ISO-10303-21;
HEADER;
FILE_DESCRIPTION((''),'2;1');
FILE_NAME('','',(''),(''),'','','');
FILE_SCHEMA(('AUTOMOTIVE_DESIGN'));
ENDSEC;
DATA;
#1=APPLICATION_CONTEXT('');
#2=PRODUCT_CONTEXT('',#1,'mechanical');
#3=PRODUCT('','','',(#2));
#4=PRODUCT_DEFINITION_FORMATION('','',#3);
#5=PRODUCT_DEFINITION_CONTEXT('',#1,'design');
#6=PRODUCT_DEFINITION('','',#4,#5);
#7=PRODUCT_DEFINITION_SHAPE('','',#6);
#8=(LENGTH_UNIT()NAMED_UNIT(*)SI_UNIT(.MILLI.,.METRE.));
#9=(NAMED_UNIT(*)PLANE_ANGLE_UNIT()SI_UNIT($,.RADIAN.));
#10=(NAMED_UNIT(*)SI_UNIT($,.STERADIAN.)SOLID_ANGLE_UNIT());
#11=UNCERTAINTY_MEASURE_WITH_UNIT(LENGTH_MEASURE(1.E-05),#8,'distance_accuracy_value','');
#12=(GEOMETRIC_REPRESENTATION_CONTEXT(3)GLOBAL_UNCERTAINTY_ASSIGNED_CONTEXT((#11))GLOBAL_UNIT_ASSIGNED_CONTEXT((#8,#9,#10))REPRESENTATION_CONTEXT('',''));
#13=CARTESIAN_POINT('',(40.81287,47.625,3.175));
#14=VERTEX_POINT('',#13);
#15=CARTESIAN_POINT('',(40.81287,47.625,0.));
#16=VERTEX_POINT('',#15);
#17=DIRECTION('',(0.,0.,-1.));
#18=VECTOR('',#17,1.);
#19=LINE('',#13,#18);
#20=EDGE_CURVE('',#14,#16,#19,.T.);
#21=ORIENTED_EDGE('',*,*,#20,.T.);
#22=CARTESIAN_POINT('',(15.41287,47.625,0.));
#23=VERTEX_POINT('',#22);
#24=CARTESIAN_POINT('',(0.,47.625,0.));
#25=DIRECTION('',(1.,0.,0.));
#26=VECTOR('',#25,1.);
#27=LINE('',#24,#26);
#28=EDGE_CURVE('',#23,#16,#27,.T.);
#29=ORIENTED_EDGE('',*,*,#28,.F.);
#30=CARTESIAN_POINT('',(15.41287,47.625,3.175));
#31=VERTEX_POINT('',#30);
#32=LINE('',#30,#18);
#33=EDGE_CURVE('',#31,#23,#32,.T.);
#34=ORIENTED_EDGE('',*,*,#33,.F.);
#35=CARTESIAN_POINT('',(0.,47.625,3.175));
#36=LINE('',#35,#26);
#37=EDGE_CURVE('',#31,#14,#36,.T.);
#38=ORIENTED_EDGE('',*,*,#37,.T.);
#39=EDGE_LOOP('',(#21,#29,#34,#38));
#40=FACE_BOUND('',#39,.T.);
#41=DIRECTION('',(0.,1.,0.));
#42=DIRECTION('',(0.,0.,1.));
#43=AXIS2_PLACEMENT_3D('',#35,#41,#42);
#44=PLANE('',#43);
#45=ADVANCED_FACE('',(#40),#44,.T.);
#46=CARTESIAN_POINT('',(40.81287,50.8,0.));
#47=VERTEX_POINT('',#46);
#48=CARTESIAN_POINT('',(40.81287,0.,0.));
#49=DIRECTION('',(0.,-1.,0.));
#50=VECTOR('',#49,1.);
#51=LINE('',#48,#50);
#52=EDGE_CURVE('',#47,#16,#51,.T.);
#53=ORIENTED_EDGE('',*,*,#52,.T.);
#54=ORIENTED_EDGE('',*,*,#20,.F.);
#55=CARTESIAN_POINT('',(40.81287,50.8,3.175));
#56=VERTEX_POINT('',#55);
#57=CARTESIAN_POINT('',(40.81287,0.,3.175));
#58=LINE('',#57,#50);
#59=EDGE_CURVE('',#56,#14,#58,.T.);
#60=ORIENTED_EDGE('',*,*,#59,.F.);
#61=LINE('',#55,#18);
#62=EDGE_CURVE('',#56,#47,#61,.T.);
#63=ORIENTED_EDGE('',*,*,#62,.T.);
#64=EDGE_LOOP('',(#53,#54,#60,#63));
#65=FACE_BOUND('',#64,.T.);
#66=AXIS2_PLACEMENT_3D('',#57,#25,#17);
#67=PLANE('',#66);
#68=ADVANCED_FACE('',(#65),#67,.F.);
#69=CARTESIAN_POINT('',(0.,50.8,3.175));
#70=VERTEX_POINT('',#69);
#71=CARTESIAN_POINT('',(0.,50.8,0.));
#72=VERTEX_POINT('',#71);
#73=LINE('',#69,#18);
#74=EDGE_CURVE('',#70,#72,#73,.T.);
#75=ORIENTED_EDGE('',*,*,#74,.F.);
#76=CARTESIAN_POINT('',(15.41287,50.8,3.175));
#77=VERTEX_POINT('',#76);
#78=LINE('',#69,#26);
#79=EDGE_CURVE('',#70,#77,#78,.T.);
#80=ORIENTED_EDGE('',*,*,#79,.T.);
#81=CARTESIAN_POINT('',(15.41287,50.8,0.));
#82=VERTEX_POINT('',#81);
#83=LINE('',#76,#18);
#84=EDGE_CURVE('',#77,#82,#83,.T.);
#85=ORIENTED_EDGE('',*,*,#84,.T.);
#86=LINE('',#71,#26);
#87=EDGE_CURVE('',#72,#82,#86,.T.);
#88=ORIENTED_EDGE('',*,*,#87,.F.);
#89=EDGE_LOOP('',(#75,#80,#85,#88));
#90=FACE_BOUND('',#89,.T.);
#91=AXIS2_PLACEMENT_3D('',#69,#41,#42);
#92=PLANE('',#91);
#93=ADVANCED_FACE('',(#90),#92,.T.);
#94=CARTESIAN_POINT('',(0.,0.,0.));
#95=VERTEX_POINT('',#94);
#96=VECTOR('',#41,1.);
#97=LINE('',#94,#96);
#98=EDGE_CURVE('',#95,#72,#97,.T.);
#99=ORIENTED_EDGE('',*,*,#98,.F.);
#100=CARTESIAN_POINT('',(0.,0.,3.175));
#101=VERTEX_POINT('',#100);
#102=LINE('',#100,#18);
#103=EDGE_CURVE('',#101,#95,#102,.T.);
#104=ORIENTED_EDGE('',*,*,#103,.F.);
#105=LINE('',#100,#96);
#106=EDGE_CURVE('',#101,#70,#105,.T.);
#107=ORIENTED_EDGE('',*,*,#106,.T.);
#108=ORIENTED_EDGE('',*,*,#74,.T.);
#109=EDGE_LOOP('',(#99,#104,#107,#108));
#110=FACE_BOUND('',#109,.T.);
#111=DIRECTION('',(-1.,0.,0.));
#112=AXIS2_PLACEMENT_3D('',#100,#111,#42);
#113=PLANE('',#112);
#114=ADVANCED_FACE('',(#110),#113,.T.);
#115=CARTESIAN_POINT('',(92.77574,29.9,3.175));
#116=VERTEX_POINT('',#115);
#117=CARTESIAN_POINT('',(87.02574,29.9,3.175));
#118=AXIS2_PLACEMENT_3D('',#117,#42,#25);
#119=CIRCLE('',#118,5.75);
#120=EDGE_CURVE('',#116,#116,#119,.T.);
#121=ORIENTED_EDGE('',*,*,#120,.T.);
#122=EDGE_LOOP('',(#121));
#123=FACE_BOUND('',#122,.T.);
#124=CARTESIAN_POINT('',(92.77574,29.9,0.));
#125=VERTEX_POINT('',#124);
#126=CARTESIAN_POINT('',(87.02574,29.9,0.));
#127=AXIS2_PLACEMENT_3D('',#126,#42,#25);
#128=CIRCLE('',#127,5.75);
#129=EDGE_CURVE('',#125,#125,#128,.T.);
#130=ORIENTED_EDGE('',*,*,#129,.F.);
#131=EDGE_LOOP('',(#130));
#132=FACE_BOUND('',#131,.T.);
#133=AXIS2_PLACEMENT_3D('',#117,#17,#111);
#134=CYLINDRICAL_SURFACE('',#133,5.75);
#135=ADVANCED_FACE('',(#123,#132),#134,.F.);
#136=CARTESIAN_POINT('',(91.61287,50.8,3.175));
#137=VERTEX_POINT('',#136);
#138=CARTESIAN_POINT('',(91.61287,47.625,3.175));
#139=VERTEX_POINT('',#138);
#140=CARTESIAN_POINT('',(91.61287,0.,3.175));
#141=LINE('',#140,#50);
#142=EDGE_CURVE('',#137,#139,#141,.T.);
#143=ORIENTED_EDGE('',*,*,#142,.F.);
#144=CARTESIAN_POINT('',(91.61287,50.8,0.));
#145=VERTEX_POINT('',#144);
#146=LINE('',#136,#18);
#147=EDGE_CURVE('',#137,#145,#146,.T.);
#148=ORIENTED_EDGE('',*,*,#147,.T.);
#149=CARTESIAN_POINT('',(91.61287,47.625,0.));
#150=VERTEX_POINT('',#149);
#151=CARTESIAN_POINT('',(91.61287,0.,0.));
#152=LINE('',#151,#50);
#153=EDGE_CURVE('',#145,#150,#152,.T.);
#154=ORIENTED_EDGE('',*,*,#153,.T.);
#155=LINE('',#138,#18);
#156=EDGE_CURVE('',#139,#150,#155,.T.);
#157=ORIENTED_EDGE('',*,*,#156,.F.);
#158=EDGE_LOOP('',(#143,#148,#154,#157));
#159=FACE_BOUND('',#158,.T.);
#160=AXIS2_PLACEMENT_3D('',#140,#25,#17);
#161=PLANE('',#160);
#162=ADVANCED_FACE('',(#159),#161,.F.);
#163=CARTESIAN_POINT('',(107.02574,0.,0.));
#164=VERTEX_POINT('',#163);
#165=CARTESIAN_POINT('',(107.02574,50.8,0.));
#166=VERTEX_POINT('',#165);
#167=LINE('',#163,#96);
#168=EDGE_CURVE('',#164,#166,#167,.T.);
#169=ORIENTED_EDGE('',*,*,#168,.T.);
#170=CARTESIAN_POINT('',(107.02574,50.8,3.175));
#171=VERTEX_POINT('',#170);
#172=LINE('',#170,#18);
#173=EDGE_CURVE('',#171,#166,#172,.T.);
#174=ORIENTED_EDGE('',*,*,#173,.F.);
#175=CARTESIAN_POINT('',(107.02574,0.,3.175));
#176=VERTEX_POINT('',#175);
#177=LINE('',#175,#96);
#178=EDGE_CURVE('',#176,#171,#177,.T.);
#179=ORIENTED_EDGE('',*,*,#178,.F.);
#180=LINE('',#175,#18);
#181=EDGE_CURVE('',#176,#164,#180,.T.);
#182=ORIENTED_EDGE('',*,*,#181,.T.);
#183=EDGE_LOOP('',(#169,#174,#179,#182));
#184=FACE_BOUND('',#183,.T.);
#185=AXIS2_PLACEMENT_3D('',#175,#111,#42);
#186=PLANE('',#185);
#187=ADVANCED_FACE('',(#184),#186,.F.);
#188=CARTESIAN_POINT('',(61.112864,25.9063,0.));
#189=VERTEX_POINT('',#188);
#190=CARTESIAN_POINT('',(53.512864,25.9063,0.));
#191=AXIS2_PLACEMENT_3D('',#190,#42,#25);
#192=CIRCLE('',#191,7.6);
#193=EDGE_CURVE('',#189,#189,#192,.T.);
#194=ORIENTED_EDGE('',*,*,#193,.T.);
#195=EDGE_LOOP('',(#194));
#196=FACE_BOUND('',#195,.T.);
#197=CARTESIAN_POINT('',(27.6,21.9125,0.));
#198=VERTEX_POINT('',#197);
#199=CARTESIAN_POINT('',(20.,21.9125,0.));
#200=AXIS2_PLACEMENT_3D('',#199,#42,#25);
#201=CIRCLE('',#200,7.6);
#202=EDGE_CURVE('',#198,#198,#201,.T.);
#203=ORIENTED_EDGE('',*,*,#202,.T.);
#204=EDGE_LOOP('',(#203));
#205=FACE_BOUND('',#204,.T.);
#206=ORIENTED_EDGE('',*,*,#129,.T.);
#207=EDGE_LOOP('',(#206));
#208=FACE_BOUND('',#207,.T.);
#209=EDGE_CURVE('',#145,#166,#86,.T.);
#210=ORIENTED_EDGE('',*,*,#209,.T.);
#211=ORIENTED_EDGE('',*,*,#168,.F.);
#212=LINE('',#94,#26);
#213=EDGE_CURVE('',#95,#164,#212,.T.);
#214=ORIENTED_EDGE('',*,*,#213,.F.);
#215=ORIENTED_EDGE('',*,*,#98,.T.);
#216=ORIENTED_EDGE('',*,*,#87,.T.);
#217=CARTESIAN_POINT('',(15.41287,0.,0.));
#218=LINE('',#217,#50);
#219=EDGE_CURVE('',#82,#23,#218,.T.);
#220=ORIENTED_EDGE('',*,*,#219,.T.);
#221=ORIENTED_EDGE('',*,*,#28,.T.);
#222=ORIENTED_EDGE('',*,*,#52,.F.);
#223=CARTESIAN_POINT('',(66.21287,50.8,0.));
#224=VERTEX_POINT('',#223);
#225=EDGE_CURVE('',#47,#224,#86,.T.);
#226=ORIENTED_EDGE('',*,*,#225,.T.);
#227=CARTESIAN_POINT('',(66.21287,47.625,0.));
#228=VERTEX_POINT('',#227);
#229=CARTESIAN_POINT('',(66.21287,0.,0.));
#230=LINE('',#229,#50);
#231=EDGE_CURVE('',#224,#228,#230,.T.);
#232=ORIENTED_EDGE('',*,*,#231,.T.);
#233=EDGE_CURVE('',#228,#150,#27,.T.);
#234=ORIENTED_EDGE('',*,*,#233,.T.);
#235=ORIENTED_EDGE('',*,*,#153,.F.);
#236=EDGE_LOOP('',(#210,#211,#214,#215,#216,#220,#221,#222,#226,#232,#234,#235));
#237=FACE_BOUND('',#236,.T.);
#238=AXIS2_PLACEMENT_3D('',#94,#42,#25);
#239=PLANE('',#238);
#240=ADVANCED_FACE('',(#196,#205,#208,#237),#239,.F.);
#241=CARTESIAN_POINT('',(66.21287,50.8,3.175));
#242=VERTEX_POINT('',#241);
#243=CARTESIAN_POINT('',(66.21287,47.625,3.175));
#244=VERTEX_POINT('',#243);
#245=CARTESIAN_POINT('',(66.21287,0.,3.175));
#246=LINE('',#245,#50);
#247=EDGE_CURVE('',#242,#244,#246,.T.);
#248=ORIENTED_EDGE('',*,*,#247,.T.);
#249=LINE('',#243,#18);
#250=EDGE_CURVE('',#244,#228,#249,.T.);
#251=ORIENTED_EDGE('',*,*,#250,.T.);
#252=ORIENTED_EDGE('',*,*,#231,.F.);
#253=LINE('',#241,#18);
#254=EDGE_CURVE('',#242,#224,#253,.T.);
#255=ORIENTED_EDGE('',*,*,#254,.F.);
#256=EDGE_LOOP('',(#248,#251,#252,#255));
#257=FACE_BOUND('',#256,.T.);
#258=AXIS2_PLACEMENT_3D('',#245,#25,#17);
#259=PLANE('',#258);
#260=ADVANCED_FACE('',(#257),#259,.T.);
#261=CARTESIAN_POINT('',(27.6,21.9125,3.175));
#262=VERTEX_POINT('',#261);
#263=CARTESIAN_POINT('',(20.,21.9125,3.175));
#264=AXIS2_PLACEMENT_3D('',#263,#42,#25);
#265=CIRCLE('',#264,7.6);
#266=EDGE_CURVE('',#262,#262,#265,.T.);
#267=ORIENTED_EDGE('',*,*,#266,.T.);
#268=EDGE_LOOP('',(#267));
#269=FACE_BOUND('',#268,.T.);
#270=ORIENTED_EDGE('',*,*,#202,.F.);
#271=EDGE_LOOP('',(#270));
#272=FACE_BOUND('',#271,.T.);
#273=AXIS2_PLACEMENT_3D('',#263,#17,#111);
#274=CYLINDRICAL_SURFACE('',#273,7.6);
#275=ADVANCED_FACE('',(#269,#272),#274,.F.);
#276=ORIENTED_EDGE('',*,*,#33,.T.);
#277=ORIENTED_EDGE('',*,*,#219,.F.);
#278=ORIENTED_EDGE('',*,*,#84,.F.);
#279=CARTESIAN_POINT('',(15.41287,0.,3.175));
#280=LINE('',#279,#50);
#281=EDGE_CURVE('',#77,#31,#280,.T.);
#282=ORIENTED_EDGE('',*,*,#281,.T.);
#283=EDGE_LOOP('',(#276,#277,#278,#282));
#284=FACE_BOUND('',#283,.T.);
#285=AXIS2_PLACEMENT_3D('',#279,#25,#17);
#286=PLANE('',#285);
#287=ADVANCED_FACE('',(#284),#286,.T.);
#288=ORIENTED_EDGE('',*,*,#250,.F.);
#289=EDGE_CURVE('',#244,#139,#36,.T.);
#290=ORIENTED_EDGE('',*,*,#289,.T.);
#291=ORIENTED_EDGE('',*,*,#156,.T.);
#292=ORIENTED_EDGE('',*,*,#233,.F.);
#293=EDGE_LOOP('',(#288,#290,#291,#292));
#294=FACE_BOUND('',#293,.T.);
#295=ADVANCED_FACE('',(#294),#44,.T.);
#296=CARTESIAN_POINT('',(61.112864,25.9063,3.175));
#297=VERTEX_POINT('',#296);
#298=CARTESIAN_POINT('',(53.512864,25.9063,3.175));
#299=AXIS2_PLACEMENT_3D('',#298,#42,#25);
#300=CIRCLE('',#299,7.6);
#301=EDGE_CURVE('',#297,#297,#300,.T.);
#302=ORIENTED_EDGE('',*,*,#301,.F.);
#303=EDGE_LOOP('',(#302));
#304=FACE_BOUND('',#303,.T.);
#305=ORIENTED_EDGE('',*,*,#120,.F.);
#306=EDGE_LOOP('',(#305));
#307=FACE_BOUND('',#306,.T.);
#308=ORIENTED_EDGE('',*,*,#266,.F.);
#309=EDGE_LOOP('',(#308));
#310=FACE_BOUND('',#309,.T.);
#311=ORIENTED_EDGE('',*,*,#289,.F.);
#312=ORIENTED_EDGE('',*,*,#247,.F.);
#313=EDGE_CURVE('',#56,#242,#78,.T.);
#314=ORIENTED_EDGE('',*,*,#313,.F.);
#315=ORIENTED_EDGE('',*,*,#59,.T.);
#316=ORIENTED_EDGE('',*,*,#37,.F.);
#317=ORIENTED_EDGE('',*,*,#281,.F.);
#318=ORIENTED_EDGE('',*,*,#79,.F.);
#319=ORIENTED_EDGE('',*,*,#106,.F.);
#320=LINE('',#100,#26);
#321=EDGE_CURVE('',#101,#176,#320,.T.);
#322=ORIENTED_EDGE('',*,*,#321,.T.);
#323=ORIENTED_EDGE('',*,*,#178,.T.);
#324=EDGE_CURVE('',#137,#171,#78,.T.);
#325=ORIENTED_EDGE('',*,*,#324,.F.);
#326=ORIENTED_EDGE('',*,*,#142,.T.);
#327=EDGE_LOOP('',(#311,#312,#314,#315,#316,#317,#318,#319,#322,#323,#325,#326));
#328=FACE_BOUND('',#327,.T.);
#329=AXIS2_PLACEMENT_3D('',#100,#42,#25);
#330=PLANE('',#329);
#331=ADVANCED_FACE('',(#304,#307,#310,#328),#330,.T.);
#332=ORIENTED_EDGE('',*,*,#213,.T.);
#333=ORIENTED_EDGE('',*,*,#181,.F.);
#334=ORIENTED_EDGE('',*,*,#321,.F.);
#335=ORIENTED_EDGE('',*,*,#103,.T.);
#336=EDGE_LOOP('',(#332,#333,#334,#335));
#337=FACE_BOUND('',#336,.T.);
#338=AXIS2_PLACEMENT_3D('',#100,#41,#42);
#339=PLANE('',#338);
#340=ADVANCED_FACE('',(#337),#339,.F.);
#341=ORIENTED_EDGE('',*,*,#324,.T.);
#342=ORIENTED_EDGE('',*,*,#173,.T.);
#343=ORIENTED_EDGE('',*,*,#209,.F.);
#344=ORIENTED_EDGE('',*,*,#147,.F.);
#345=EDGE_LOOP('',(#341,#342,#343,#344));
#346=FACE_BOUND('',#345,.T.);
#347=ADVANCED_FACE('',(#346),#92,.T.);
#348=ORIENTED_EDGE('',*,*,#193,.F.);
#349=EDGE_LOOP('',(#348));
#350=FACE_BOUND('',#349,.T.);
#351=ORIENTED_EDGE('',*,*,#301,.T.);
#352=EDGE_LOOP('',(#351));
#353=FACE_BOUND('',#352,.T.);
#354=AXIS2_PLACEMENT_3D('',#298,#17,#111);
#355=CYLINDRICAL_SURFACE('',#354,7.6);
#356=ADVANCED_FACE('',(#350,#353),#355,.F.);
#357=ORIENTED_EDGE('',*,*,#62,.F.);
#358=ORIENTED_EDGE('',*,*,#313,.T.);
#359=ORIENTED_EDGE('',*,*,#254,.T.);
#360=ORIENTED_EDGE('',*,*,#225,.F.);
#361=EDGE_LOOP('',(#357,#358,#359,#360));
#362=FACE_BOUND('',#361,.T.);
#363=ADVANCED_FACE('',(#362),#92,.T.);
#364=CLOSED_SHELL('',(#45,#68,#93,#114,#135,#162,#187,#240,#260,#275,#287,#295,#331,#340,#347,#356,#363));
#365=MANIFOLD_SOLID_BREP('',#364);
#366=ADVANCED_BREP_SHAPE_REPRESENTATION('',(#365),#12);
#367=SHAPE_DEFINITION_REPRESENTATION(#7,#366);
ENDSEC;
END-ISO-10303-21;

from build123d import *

# Parameters (mm, degrees)
SKETCH1_R           = 7.6
SKETCH1_R_2         = 5.75
BOSS_EXTRUDE1_DEPTH = 3.175


with BuildPart() as part:
    # Sketch1 → Boss-Extrude1 (new body)
    with BuildSketch(Plane.XY):
        Polygon((0, 50.8), (0, 0), (107.025740158, 0), (107.025740158, 50.8), (91.612870079, 50.8), (91.612870079, 47.625), (66.212870079, 47.625), (66.212870079, 50.8), (40.812870079, 50.8), (40.812870079, 47.625), (15.412870079, 47.625), (15.412870079, 50.8), align=None)
        with Locations((20, 21.9125)):
            Circle(SKETCH1_R, mode=Mode.SUBTRACT)
        with Locations((53.512864121, 25.9063)):
            Circle(SKETCH1_R, mode=Mode.SUBTRACT)
        with Locations((87.025740158, 29.9)):
            Circle(SKETCH1_R_2, mode=Mode.SUBTRACT)
    extrude(amount=BOSS_EXTRUDE1_DEPTH)


solid = part.part
